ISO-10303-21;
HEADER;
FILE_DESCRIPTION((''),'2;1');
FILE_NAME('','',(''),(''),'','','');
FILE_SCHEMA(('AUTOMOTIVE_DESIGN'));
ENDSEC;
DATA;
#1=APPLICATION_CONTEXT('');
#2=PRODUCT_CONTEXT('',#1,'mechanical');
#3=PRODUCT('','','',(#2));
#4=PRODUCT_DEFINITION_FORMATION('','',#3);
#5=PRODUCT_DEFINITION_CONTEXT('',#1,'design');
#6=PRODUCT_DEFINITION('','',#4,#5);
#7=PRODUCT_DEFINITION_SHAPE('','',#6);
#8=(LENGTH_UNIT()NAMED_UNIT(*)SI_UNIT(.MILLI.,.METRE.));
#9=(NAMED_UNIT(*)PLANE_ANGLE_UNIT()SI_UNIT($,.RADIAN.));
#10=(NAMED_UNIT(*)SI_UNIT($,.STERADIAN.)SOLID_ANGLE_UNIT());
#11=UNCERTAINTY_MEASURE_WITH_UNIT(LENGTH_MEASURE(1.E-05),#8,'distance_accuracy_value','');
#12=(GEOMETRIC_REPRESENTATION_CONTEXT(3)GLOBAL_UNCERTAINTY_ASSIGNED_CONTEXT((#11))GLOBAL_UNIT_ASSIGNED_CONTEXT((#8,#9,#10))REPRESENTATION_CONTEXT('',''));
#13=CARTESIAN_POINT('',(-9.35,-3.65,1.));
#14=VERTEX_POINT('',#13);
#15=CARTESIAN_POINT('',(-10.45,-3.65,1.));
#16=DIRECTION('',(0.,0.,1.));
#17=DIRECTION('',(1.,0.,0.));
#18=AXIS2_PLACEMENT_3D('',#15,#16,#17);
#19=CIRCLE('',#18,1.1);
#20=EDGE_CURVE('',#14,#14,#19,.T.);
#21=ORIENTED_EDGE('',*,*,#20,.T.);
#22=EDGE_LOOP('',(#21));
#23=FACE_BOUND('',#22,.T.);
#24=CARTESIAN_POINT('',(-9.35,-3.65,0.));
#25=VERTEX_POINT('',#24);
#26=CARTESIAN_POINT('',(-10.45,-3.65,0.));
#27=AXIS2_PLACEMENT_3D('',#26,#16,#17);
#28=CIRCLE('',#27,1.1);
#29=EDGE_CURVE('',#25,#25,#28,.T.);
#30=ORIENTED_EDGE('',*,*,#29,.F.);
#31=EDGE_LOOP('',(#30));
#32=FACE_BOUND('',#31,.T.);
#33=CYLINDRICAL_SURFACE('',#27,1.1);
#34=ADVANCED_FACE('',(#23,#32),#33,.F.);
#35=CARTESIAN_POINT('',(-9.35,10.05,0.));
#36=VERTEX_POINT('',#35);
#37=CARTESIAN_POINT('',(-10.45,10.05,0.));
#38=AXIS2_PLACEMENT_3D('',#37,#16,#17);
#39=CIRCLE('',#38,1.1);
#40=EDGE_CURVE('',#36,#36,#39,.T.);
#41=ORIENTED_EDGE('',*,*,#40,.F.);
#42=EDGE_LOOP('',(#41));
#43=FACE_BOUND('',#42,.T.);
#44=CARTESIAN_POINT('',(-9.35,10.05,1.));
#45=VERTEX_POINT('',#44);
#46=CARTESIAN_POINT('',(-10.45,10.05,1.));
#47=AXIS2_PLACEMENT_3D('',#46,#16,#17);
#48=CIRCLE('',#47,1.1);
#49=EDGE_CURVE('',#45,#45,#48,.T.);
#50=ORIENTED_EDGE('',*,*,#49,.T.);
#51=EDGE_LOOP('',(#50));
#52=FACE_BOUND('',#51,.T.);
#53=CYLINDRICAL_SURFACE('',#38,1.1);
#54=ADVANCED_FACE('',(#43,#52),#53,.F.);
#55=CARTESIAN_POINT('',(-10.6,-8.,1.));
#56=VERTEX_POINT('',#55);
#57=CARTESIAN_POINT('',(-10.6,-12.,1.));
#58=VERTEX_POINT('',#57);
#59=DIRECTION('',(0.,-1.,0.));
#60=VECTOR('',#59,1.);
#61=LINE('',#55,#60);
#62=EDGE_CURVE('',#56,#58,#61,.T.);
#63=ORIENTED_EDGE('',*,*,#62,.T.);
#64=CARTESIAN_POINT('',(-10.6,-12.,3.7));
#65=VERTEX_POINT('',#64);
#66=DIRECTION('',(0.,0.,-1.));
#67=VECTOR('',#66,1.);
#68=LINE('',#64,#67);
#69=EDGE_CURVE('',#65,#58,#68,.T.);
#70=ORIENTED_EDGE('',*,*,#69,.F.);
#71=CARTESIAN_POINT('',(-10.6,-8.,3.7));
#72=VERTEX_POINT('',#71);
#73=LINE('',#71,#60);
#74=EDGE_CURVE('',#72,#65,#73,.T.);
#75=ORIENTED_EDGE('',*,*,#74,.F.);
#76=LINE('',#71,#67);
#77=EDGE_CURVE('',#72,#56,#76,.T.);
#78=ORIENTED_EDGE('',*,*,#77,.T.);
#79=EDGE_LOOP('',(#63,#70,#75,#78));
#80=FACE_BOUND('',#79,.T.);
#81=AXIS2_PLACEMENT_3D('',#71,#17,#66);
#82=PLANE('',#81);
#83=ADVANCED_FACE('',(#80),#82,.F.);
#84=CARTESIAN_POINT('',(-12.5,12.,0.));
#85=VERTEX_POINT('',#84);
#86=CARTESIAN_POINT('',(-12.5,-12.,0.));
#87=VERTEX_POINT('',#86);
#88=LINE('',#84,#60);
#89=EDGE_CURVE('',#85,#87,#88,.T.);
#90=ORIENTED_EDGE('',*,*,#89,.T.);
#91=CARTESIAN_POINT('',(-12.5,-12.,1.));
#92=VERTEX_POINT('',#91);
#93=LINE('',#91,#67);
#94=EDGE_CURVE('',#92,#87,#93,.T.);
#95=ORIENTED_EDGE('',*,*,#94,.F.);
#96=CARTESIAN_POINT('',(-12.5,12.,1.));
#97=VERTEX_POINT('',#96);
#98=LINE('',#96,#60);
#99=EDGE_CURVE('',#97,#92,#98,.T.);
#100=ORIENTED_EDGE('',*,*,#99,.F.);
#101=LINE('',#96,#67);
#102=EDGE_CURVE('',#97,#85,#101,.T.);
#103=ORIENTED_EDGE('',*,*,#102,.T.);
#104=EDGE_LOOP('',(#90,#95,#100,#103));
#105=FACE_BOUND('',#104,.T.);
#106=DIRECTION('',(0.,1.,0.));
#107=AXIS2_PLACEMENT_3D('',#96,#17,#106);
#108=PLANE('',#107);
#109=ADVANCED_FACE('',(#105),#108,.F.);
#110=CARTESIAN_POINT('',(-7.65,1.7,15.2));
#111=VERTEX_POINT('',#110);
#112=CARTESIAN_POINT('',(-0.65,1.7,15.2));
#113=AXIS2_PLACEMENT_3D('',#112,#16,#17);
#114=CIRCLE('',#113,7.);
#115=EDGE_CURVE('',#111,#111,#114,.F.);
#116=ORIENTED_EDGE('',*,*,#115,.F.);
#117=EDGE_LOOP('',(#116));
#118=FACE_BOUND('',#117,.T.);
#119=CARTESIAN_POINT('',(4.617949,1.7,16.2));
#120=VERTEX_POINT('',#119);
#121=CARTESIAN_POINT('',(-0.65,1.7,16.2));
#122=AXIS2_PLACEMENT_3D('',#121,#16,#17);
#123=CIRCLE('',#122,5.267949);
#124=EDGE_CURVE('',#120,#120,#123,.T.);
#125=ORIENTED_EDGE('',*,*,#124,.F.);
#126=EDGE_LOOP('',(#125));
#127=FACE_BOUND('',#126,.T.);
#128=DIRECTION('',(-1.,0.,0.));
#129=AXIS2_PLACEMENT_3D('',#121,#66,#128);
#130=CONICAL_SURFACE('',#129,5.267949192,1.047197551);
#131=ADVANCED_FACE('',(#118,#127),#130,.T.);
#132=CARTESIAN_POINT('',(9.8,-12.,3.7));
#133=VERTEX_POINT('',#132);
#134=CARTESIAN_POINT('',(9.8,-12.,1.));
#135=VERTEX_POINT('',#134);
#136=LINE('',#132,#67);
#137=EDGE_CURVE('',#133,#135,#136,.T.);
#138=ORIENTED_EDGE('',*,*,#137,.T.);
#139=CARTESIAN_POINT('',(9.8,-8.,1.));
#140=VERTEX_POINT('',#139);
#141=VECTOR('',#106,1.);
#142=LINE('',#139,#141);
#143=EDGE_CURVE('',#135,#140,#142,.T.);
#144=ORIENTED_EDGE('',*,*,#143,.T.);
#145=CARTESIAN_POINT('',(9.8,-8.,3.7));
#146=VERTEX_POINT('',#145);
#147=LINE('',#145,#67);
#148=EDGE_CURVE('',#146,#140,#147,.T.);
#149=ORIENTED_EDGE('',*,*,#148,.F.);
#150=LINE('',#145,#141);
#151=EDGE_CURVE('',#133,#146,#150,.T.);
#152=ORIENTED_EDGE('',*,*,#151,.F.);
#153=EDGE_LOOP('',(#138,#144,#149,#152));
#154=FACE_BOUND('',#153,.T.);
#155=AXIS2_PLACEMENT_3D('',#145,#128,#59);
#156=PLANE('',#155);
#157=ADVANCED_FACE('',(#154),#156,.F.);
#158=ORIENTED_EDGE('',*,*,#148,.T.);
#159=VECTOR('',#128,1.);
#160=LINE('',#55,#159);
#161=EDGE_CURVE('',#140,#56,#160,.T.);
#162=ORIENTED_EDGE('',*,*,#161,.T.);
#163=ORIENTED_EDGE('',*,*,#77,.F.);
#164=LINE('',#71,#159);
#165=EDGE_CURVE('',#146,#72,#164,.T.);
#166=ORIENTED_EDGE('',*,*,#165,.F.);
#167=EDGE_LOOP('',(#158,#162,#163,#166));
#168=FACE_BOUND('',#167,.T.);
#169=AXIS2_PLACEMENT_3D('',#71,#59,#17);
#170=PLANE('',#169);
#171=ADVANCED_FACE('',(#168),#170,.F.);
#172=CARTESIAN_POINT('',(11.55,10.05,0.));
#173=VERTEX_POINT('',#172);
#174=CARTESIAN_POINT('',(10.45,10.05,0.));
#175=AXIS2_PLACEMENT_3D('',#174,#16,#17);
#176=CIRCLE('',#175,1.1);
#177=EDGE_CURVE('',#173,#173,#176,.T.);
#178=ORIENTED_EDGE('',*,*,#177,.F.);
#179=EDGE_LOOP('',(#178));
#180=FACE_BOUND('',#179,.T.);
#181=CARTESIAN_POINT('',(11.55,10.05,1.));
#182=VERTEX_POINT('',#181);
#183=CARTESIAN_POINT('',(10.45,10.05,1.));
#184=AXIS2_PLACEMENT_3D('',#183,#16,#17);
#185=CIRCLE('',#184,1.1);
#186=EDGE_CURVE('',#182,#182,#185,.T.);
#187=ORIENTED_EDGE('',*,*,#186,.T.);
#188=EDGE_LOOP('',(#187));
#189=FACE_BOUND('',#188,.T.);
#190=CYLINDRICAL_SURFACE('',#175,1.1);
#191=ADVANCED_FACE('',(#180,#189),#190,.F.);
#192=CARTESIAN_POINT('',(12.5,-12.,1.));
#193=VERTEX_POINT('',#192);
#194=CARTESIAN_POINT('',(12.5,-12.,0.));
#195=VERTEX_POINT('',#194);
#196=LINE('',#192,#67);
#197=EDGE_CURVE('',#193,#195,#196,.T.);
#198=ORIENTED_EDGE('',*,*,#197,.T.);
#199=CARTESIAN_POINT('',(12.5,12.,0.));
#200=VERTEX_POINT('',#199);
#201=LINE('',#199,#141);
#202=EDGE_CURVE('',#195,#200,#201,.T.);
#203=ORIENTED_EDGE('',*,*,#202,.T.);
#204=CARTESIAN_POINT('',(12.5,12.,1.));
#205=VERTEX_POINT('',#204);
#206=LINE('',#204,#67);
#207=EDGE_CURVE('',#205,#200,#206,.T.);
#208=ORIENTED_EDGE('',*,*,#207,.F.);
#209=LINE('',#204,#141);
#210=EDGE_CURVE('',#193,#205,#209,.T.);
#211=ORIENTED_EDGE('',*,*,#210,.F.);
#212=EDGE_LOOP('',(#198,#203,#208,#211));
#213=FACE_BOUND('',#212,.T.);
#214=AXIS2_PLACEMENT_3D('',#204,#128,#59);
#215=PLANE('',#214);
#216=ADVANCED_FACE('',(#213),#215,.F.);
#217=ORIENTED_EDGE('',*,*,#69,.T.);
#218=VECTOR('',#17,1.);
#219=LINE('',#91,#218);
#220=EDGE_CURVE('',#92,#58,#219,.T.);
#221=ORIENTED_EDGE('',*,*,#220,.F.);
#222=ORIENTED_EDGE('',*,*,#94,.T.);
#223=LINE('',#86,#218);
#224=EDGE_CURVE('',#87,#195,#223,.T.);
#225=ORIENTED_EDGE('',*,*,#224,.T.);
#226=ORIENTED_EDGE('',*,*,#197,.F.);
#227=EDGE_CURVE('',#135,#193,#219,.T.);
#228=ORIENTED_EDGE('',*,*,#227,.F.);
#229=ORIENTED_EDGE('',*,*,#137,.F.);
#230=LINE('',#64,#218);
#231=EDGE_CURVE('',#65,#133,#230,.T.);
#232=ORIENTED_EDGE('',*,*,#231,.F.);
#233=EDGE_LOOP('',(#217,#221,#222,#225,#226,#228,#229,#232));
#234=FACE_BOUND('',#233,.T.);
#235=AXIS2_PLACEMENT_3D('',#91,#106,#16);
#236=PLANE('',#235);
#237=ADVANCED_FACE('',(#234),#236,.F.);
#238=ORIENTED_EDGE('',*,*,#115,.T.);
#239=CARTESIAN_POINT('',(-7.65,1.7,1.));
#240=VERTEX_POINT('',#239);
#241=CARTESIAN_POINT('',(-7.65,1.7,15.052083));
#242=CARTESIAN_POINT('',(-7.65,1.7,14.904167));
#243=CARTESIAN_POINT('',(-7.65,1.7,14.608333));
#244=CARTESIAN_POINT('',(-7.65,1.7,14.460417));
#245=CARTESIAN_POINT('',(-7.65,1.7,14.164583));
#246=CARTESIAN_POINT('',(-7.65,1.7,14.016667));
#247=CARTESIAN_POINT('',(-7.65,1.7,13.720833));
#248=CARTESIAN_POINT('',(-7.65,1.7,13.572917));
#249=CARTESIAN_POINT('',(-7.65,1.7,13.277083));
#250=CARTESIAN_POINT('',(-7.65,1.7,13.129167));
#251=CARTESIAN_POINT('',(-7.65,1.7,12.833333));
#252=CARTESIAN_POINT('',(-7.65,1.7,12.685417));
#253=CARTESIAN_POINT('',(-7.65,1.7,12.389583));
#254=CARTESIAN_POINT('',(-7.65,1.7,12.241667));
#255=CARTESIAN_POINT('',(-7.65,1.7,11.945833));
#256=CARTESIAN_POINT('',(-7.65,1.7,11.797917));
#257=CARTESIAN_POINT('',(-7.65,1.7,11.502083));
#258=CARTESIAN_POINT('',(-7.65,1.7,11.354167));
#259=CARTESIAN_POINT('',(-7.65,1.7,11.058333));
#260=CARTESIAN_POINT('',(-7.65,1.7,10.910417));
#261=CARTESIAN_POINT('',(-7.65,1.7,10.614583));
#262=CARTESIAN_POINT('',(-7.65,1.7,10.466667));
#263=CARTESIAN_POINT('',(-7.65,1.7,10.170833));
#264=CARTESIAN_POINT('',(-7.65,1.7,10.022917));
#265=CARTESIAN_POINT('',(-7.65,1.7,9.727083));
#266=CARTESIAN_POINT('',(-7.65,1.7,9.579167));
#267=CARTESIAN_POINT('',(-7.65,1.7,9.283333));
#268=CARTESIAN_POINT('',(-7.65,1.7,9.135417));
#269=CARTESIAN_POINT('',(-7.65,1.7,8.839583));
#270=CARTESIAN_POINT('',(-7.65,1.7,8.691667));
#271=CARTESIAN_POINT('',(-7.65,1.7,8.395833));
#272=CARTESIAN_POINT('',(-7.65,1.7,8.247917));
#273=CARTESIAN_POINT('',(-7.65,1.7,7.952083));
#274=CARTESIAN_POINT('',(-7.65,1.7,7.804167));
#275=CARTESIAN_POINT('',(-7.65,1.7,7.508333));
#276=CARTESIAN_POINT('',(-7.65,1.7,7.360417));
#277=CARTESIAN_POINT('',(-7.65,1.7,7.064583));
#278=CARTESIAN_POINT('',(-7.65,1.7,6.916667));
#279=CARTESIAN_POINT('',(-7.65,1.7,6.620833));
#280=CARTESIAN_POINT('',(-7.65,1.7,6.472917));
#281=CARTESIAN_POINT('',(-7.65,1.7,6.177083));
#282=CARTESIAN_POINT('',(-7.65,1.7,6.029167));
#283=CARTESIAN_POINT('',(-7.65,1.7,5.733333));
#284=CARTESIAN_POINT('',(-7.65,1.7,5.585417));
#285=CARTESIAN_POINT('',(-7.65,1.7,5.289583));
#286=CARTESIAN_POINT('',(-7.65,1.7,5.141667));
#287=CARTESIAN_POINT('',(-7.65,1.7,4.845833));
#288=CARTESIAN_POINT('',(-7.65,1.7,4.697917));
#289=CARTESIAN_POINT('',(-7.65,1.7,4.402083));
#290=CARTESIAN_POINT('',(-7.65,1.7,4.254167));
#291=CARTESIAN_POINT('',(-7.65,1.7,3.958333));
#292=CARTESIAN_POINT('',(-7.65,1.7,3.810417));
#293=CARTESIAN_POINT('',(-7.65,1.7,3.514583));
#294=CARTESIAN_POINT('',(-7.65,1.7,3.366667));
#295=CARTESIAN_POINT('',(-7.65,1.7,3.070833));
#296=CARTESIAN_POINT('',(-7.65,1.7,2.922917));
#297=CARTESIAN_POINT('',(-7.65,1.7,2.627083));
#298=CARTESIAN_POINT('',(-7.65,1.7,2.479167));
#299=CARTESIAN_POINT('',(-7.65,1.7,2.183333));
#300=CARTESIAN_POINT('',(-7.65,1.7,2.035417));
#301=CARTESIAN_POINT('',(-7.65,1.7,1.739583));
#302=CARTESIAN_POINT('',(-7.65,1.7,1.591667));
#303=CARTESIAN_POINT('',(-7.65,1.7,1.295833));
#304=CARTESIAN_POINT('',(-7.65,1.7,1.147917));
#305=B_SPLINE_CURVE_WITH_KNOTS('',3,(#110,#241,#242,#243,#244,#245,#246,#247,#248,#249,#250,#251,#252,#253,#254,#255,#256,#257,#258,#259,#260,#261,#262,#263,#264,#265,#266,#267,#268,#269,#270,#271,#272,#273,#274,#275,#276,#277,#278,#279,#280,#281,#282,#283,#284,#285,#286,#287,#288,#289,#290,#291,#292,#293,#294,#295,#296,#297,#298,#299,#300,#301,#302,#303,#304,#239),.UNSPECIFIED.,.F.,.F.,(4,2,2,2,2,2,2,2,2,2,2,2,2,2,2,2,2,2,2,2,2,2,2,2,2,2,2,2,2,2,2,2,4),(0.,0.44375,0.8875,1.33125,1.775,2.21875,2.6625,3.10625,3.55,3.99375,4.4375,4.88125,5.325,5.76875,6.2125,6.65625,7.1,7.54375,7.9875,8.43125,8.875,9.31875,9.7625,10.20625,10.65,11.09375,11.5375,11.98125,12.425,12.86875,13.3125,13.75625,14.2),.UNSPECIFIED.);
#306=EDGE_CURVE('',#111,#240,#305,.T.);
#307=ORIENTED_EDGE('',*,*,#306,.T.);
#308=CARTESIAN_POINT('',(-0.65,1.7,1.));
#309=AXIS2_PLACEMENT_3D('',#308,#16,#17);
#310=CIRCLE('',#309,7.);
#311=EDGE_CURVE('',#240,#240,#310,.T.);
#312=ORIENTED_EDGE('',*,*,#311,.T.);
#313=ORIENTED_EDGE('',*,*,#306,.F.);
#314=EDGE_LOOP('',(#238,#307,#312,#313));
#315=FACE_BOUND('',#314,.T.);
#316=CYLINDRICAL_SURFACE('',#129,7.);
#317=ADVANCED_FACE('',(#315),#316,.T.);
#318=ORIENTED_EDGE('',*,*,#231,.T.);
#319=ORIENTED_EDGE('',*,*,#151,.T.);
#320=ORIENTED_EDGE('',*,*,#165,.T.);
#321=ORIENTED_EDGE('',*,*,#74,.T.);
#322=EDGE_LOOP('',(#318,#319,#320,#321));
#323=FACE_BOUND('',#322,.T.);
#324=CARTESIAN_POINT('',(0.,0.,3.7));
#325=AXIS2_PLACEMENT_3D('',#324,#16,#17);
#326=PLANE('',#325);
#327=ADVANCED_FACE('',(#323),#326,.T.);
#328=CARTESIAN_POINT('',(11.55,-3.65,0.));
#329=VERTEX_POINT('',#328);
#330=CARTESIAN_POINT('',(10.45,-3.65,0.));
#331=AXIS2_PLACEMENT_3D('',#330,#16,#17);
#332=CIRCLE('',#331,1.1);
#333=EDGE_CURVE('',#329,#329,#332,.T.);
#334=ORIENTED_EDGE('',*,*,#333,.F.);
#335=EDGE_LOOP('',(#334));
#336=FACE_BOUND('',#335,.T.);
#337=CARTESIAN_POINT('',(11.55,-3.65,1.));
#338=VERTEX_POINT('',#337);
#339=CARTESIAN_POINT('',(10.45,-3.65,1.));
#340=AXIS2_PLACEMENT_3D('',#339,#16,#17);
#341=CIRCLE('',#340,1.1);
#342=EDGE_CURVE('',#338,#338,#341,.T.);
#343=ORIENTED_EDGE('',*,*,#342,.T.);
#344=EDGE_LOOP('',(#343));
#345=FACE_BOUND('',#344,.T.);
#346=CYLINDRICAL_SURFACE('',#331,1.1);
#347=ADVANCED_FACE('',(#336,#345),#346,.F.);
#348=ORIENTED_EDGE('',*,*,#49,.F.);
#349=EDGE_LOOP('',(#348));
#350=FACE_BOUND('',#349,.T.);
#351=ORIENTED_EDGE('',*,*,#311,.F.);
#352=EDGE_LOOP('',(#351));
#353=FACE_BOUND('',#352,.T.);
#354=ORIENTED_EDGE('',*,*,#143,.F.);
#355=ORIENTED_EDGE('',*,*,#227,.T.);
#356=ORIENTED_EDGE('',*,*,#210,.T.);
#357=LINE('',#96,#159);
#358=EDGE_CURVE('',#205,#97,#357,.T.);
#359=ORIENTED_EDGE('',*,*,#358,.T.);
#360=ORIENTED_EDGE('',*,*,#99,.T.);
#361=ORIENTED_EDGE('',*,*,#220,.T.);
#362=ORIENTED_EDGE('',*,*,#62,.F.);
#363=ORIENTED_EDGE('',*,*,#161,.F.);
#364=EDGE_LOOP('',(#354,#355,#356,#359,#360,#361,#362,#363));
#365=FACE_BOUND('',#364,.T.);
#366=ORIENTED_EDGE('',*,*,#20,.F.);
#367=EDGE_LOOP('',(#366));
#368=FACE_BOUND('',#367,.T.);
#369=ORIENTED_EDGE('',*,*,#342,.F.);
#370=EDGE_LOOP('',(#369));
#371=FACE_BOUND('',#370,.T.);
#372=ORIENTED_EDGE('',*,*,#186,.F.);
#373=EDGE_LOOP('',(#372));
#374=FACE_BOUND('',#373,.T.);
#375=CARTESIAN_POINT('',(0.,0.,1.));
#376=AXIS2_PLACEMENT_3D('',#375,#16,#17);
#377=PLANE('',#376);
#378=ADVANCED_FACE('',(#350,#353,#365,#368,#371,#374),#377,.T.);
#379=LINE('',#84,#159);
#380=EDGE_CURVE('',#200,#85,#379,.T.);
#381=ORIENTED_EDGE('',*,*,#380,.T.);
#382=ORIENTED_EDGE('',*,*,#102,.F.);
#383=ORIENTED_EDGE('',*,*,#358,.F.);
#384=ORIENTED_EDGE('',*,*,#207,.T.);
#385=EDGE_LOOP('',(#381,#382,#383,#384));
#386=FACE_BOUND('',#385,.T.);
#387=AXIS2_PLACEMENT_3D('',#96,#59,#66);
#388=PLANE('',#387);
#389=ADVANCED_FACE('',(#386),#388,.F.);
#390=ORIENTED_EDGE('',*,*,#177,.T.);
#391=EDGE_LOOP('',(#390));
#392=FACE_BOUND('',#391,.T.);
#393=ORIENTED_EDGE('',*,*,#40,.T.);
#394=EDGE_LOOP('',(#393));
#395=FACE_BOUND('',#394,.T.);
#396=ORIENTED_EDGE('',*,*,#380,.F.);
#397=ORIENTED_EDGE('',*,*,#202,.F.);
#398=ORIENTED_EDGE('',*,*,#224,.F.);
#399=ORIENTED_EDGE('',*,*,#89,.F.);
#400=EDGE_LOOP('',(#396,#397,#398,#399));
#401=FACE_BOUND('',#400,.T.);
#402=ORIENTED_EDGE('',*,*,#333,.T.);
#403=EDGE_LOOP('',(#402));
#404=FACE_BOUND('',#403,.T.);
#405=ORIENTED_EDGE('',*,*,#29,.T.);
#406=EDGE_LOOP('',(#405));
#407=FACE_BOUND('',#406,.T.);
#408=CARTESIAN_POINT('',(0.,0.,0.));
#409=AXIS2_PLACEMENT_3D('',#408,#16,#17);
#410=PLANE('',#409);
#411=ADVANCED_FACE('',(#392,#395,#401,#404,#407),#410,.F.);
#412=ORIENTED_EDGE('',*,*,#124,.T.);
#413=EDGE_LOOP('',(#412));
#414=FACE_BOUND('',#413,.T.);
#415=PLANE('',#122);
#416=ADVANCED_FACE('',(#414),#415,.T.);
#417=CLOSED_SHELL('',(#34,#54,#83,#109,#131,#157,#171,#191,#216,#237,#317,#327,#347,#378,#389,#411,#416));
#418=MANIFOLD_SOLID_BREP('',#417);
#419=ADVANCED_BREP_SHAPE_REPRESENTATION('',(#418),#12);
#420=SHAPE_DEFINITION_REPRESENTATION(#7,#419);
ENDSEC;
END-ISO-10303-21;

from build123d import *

# Parameters (mm, degrees)
ESBO_O1_W                  = 25
ESBO_O1_H                  = 24
RESSALTO_EXTRUS_O1_DEPTH   = 1
ESBO_O2_W                  = 20.4
ESBO_O2_H                  = 4
RESSALTO_EXTRUS_O2_DEPTH   = 2.7
CORTE_EXTRUS_O1_DEPTH      = 18.536818412
CORTE_EXTRUS_O1_DEPTH_BACK = 18.536818412
ESBO_O3_R                  = 1.1
ESBO_O4_R                  = 7
RESSALTO_EXTRUS_O3_DEPTH   = 15.2
CHANFRO1_SIZE              = 1
CHANFRO1_SIZE2             = 1.732050808


with BuildPart() as part:
    # Esboço1 → Ressalto-extrusão1 (new body)
    with BuildSketch(Plane.XY):
        Rectangle(ESBO_O1_W, ESBO_O1_H)
    extrude(amount=RESSALTO_EXTRUS_O1_DEPTH)

    # Esboço2 → Ressalto-extrusão2 (add)
    with BuildSketch(Plane.XY.offset(1)):
        with Locations((-0.4, -10)):
            Rectangle(ESBO_O2_W, ESBO_O2_H)
    extrude(amount=RESSALTO_EXTRUS_O2_DEPTH)

    # Esboço3 → Corte-extrusão1 (cut, two sides: drawn at the far end of the back side and taken through both)
    with BuildSketch(Plane.XY.offset(1).offset(-CORTE_EXTRUS_O1_DEPTH_BACK)):
        with Locations((10.45, 10.05)):
            Circle(ESBO_O3_R)
        with Locations((-10.45, 10.05)):
            Circle(ESBO_O3_R)
        with Locations((10.45, -3.65)):
            Circle(ESBO_O3_R)
        with Locations((-10.45, -3.65)):
            Circle(ESBO_O3_R)
    extrude(amount=CORTE_EXTRUS_O1_DEPTH + CORTE_EXTRUS_O1_DEPTH_BACK, mode=Mode.SUBTRACT)

    # Esboço4 → Ressalto-extrusão3 (add)
    with BuildSketch(Plane.XY.offset(1)):
        with Locations(Location((-0.65, 1.7, 0), (0, 0, 180))):
            Circle(ESBO_O4_R)
    extrude(amount=RESSALTO_EXTRUS_O3_DEPTH)

    # Chanfro1
    chanfro1_edges = [part.edges().sort_by_distance(p)[0] for p in [
        (6.35, 1.7, 16.2),
    ]]
    chanfro1_side = [part.faces().sort_by_distance(p)[0] for p in [
        (6.35, 1.7, 8.6),
    ]]
    chamfer(chanfro1_edges, length=CHANFRO1_SIZE, length2=CHANFRO1_SIZE2, reference=chanfro1_side[0])


solid = part.part
